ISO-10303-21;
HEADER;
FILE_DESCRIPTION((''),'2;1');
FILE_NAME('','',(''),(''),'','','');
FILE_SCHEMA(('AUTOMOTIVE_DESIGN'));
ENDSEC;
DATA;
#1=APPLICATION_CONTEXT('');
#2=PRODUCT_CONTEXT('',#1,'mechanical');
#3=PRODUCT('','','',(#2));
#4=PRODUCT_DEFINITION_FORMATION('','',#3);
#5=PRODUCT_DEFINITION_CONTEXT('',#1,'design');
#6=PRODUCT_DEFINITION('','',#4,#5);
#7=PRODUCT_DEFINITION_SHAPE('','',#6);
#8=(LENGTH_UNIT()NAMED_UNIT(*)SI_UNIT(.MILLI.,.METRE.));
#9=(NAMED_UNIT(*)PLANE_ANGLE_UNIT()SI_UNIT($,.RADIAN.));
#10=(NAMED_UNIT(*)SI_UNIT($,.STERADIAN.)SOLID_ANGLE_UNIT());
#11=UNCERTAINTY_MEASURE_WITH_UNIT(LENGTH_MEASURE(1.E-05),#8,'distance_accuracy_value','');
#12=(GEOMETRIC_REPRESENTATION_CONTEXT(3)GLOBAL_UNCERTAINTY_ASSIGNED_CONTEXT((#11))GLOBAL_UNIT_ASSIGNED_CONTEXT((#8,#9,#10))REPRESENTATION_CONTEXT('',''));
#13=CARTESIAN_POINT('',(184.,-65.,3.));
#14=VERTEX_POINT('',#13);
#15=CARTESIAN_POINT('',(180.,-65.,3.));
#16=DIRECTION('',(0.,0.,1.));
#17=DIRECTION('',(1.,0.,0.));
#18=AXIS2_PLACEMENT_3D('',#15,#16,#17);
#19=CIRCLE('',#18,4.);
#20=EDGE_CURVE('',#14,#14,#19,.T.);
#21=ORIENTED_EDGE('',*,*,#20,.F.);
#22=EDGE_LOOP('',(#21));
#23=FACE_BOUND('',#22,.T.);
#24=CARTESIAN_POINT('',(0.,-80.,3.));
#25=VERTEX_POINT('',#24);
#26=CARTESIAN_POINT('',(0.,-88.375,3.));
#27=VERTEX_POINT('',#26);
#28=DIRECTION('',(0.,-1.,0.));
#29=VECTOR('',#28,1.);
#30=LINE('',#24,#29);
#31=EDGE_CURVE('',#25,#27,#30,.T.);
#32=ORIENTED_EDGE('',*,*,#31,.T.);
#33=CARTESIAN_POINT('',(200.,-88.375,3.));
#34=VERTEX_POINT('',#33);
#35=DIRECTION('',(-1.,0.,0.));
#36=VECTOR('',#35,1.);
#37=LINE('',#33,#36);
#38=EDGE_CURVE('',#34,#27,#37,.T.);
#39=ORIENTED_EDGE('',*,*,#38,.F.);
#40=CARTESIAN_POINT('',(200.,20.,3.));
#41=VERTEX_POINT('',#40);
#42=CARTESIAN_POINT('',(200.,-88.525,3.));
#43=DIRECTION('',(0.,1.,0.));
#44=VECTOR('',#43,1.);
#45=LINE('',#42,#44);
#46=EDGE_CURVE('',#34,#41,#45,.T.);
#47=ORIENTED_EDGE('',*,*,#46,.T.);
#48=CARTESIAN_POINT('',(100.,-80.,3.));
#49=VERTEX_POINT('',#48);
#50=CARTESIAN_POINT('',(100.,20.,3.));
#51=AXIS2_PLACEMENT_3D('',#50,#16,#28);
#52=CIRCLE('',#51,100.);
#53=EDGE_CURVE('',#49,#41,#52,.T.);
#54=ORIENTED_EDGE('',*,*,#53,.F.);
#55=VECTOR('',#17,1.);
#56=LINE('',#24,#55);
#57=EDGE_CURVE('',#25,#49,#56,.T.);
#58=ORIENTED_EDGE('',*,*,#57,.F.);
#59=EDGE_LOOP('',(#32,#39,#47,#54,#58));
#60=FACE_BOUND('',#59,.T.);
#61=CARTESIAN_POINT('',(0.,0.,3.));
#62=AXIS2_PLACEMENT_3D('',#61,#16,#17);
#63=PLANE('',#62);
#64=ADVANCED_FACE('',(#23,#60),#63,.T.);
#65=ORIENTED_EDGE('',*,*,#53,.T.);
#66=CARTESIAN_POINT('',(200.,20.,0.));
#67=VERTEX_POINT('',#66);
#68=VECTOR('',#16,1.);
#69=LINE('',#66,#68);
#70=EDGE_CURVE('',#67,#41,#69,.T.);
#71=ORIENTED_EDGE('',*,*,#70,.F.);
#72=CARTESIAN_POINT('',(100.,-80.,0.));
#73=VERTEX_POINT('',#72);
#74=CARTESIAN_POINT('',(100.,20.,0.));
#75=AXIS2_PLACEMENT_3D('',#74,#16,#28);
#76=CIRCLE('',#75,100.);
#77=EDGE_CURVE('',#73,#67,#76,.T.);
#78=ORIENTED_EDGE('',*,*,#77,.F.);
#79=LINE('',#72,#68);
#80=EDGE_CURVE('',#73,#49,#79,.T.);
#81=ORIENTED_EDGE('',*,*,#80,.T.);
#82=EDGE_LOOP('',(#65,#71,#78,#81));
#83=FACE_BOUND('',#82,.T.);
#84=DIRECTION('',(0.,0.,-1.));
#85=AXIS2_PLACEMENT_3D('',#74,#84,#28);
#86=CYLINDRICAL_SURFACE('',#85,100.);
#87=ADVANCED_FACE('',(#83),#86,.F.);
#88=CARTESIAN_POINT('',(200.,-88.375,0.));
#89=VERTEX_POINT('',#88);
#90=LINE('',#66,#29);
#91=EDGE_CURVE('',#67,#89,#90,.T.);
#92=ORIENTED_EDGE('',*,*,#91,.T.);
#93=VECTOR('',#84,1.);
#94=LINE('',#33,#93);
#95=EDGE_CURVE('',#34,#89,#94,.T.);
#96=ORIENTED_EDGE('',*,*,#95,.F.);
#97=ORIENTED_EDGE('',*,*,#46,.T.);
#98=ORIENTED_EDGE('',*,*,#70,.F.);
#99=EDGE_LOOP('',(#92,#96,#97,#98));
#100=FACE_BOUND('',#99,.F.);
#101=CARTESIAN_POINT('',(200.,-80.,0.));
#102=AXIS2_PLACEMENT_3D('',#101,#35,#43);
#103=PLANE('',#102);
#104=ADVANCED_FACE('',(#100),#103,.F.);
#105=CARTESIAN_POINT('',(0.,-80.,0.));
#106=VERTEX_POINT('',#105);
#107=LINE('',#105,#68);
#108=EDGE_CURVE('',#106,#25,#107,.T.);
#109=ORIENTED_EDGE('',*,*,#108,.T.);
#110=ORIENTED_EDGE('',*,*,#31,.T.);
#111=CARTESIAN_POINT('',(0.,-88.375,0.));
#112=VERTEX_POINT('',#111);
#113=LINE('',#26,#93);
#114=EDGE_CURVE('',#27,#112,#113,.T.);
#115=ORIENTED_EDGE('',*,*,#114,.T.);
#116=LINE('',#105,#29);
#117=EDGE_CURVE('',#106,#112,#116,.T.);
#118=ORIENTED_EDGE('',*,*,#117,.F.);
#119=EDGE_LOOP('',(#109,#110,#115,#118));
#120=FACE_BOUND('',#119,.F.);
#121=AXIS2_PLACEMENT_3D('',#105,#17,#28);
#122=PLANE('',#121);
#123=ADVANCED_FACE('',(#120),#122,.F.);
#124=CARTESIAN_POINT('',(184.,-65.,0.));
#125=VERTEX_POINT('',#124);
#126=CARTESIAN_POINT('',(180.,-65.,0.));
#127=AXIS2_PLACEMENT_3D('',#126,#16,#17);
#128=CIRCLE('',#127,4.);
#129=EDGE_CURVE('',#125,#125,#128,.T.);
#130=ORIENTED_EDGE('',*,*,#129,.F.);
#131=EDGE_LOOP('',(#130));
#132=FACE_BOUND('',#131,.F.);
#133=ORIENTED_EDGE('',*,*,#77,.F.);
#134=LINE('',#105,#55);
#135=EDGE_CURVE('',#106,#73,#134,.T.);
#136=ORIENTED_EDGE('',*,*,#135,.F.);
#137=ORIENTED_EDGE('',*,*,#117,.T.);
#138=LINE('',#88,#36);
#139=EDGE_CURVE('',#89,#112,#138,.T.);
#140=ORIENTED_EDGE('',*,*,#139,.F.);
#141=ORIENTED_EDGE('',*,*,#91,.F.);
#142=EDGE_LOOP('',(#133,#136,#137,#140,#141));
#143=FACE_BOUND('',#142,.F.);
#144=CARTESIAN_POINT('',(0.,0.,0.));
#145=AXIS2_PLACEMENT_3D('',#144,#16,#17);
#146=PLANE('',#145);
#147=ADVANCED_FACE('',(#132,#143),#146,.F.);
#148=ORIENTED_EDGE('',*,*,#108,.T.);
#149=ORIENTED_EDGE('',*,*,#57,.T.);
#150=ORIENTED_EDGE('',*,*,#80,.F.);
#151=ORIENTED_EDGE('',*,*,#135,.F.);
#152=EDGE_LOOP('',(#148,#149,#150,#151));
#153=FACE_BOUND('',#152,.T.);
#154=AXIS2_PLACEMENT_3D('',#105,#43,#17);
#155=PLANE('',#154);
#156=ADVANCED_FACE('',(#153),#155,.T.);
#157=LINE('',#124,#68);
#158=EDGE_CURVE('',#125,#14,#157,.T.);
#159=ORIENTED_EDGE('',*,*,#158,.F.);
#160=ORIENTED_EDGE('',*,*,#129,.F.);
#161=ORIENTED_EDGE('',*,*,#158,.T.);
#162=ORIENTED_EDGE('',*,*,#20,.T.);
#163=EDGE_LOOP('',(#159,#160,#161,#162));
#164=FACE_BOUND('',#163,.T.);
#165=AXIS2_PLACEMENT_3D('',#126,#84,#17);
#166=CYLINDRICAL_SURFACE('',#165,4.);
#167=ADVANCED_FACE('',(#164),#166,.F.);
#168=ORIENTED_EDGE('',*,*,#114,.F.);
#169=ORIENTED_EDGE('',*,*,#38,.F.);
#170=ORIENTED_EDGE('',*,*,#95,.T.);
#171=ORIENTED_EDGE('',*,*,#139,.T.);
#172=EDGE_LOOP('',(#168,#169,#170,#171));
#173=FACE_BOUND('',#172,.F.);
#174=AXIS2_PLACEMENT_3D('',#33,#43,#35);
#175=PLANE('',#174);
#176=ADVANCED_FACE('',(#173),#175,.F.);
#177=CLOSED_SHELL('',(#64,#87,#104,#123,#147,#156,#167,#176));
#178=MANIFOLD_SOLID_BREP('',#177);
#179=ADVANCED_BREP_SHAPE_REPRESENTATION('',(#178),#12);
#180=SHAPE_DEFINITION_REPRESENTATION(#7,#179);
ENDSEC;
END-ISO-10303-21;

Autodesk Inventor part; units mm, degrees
ref_plane "YZ Plane" through (0, 0, 0) normal (1, 0, 0) x (0, 1, 0)
ref_plane "XZ Plane" through (0, 0, 0) normal (0, 1, 0) x (-1, 0, 0)
ref_plane "XY Plane" through (0, 0, 0) normal (0, 0, 1) x (1, 0, 0)
sketch "草圖1" plane through (0, 0, 0) normal (0, 0, 1) x (1, 0, 0)
  line L0 (0, -80) -> (100, -80)
  arc A0 (100, -80) -> (200, 20) centre (100, 20) ccw
  line L1 (200, 20) -> (200, 40)
  line L2 (200, 40) -> (100, 40)
  line L3 (100, 40) -> (100, -80)
  line L4 (100, -80) -> (200, -80)
  line L5 (200, -80) -> (200, 40)
  line L6 (215, -80) -> (200, -80)
  circle A1 centre (180, -65) radius 4
  line L7 (200, -80) -> (0, -80)
  line L8 (0, -80) -> (0, -88.525)
  line L9 (0, -88.525) -> (200, -88.525)
  line L10 (200, -88.525) -> (200, -80)
  point P0 (200, 20)
  dimension "d5" = 8
  dimension "d6" = 8.525
  dimension "d12" = 15
  dimension "d13" = 20
extrude "擠出1" add sketch "草圖1" along normal blind 3 contours L0 L4 L10 L9 L8 | A0 L5 L4
sketch "草圖3" plane through (0, 0, 3) normal (0, 0, 1) x (1, 0, 0)
  line L0 (200, -88.525) -> (200, 20) projected
  line L1 (0, -88.525) -> (200, -88.525) projected
  line L2 (0, -88.525) -> (200, -88.525)
  line L3 (200, -88.525) -> (200, -88.375)
  line L4 (200, -88.375) -> (0, -88.375)
  line L5 (0, -88.375) -> (0, -88.525)
  point P0 (0, 0)
  dimension "d11" = 0.15
extrude "擠出2" cut sketch "草圖3" against normal up to surface (3 mm away)
